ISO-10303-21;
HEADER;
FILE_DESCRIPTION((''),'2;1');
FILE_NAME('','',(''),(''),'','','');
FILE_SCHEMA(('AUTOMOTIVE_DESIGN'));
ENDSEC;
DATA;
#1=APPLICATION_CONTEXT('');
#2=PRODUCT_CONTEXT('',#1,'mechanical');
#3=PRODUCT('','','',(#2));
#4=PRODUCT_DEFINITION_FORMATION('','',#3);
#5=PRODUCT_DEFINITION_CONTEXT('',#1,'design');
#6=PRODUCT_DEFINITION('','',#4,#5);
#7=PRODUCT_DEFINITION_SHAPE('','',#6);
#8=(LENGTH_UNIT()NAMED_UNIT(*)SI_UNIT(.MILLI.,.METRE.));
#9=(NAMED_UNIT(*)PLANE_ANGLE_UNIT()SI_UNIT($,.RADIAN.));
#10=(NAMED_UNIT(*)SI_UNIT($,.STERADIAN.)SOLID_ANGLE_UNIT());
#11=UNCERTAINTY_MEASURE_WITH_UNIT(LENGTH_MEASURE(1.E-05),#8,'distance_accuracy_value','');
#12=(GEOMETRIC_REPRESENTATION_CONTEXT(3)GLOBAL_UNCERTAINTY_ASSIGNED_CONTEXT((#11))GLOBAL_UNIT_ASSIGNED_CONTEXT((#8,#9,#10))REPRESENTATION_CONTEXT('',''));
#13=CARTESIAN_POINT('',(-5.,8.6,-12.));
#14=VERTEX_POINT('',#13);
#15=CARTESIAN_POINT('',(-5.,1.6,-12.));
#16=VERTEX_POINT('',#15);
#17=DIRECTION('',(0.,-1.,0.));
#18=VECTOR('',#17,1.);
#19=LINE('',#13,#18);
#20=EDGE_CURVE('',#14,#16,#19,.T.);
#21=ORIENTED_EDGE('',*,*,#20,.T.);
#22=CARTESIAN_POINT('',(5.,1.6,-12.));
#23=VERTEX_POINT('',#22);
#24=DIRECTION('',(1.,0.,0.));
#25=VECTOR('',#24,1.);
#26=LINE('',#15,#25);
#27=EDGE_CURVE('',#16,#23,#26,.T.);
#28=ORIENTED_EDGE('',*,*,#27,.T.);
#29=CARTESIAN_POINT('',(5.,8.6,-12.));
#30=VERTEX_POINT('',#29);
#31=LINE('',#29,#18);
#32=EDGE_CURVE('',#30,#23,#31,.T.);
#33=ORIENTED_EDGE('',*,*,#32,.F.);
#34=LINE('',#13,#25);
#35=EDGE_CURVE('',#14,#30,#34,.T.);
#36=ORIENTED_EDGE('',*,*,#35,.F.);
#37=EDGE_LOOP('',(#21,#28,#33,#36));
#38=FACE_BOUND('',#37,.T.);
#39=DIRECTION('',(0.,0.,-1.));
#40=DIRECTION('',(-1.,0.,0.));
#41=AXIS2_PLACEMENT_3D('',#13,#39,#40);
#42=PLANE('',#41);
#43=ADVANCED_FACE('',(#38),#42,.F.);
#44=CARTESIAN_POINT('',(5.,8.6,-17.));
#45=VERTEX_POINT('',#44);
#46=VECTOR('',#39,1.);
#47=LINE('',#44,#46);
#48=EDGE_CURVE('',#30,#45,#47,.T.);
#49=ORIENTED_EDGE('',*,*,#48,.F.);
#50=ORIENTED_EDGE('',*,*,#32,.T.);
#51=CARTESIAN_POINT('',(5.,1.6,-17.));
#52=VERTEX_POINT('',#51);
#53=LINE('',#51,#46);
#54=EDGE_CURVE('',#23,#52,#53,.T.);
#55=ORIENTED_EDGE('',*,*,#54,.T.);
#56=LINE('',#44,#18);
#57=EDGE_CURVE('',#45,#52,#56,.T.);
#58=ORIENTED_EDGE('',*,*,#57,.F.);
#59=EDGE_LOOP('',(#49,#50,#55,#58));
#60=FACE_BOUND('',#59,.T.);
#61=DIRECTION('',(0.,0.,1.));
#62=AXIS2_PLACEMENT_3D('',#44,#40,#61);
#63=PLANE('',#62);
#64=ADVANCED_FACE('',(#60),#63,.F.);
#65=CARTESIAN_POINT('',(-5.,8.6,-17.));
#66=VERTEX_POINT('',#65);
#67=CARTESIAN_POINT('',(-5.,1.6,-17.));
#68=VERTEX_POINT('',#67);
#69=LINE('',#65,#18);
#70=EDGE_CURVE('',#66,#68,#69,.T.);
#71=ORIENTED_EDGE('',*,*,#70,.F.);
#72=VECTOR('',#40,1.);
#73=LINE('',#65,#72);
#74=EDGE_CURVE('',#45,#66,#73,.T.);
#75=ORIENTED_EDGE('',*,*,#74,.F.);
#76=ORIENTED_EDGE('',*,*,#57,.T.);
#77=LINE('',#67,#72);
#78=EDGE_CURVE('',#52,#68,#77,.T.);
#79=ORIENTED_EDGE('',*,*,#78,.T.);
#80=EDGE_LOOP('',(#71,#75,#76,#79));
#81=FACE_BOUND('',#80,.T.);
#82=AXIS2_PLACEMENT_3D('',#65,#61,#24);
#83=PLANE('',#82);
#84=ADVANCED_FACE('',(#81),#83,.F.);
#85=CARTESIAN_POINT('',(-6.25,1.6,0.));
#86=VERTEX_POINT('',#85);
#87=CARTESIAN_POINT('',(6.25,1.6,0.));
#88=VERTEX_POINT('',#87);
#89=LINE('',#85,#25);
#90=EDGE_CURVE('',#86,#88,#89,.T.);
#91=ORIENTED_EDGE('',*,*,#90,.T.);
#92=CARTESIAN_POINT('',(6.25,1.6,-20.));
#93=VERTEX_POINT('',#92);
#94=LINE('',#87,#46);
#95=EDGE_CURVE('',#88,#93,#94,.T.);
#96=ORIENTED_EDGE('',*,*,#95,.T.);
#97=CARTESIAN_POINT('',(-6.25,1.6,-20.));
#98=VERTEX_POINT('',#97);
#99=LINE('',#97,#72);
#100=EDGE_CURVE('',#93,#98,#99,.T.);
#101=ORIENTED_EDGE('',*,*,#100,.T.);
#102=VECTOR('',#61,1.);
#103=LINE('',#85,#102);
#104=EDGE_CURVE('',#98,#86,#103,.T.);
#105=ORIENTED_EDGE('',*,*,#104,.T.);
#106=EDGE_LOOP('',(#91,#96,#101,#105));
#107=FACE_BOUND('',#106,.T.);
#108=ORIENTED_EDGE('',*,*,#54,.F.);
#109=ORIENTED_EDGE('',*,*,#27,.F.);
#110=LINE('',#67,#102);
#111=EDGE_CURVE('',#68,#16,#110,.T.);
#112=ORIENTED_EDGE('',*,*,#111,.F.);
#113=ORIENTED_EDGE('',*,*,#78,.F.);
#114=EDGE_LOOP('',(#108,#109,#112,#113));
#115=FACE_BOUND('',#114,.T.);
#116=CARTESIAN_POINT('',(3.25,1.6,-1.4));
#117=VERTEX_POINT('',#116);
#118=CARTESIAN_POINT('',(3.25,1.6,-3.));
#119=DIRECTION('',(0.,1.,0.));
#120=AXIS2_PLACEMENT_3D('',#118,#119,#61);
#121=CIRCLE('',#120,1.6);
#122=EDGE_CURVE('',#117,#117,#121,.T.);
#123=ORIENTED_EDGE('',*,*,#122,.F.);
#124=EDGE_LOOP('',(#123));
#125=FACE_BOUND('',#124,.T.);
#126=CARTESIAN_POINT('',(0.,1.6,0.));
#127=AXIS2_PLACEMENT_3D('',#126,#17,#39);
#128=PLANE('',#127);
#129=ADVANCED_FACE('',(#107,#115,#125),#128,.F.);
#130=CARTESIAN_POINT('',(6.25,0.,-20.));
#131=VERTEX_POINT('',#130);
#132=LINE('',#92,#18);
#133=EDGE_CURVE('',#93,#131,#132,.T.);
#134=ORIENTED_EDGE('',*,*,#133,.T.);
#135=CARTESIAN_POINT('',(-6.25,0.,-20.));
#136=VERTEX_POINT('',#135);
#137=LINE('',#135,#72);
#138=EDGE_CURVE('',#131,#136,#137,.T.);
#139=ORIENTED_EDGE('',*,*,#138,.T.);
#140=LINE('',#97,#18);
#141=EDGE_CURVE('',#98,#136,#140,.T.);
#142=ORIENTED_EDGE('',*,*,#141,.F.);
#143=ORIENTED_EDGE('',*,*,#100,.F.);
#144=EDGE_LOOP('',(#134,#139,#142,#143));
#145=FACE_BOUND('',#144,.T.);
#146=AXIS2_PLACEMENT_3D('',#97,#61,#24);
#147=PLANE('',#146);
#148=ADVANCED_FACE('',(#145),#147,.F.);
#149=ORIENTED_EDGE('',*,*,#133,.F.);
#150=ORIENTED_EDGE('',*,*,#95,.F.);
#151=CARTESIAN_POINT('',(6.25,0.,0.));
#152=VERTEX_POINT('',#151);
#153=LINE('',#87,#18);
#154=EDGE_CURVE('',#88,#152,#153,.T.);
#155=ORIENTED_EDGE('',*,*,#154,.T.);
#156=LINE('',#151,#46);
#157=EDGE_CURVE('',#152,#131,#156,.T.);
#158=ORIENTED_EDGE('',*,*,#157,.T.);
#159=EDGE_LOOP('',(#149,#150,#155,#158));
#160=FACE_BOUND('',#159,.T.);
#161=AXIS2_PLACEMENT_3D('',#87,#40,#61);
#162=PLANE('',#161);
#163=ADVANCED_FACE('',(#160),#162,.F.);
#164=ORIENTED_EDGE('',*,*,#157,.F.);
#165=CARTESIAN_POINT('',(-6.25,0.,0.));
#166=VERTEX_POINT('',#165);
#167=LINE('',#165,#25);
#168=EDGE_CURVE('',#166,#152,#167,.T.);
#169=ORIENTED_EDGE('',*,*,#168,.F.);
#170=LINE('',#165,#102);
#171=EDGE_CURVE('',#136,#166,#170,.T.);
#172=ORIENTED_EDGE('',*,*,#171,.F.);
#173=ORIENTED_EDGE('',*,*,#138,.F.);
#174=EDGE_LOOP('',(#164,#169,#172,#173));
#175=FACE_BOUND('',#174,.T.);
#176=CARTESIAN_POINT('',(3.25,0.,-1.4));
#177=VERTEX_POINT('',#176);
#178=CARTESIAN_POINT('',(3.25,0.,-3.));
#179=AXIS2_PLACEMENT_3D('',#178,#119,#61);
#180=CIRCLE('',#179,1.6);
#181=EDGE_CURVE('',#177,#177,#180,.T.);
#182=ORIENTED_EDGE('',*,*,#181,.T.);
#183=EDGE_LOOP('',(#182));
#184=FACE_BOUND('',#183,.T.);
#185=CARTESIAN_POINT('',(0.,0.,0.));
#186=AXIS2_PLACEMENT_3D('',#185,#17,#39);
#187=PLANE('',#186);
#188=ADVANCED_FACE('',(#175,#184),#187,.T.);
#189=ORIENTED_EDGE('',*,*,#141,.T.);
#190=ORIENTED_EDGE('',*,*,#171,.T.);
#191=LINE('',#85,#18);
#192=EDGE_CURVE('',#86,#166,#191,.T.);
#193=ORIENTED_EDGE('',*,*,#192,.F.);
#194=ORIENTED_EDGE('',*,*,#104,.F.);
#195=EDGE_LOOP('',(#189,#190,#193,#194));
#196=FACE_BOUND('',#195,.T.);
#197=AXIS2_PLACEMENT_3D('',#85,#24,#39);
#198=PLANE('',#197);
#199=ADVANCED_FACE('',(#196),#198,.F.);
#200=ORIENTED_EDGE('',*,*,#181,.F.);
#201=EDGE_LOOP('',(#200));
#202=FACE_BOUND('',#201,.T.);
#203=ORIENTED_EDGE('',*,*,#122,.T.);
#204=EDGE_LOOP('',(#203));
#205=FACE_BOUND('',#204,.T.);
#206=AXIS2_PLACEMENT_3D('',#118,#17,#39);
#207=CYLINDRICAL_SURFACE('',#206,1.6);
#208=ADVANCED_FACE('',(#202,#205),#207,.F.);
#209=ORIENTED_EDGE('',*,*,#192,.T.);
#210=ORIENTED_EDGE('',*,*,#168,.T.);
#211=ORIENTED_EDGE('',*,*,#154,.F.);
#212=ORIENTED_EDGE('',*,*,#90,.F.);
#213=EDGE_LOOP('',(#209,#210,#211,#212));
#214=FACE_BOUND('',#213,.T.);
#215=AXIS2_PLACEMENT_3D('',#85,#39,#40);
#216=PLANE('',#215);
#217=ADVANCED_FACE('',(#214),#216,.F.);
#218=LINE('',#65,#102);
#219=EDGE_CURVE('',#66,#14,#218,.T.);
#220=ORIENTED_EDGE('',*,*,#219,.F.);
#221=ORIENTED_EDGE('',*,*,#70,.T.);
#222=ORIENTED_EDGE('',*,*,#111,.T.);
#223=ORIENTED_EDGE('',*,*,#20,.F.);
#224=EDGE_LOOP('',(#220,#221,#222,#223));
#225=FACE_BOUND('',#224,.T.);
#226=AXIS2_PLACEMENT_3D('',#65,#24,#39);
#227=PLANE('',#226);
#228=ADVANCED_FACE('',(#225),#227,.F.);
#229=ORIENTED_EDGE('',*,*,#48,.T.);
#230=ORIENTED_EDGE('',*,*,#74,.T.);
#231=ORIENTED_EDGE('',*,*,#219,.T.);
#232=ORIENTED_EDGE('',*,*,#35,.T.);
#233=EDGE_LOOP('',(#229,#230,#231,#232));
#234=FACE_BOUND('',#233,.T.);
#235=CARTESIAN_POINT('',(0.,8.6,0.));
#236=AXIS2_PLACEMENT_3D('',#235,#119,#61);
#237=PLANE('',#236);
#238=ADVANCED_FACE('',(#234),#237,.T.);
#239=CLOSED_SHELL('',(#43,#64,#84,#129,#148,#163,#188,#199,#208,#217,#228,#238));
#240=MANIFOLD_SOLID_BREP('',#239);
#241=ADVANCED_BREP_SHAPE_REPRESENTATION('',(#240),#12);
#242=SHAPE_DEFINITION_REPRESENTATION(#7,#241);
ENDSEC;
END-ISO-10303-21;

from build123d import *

# Parameters (mm, degrees)
SKETCH1_W           = 12.5
SKETCH1_H           = 20
SKETCH1_R           = 1.6
BOSS_EXTRUDE1_DEPTH = 1.6
SKETCH2_W           = 10
SKETCH2_H           = 5
BOSS_EXTRUDE2_DEPTH = 7


with BuildPart() as part:
    # Sketch1 → Boss-Extrude1 (new body)
    with BuildSketch(Plane(origin=(0, 0, 0), x_dir=(1, 0, 0), z_dir=(0, 1, 0))):
        with Locations((0, 10)):
            Rectangle(SKETCH1_W, SKETCH1_H)
        with Locations(Location((3.25, 3, 0), (0, 0, 270))):
            Circle(SKETCH1_R, mode=Mode.SUBTRACT)
    extrude(amount=BOSS_EXTRUDE1_DEPTH)

    # Sketch2 → Boss-Extrude2 (add)
    with BuildSketch(Plane(origin=(0, 1.6, 0), x_dir=(1, 0, 0), z_dir=(0, 1, 0))):
        with Locations((0, 14.5)):
            Rectangle(SKETCH2_W, SKETCH2_H)
    extrude(amount=BOSS_EXTRUDE2_DEPTH)


solid = part.part
